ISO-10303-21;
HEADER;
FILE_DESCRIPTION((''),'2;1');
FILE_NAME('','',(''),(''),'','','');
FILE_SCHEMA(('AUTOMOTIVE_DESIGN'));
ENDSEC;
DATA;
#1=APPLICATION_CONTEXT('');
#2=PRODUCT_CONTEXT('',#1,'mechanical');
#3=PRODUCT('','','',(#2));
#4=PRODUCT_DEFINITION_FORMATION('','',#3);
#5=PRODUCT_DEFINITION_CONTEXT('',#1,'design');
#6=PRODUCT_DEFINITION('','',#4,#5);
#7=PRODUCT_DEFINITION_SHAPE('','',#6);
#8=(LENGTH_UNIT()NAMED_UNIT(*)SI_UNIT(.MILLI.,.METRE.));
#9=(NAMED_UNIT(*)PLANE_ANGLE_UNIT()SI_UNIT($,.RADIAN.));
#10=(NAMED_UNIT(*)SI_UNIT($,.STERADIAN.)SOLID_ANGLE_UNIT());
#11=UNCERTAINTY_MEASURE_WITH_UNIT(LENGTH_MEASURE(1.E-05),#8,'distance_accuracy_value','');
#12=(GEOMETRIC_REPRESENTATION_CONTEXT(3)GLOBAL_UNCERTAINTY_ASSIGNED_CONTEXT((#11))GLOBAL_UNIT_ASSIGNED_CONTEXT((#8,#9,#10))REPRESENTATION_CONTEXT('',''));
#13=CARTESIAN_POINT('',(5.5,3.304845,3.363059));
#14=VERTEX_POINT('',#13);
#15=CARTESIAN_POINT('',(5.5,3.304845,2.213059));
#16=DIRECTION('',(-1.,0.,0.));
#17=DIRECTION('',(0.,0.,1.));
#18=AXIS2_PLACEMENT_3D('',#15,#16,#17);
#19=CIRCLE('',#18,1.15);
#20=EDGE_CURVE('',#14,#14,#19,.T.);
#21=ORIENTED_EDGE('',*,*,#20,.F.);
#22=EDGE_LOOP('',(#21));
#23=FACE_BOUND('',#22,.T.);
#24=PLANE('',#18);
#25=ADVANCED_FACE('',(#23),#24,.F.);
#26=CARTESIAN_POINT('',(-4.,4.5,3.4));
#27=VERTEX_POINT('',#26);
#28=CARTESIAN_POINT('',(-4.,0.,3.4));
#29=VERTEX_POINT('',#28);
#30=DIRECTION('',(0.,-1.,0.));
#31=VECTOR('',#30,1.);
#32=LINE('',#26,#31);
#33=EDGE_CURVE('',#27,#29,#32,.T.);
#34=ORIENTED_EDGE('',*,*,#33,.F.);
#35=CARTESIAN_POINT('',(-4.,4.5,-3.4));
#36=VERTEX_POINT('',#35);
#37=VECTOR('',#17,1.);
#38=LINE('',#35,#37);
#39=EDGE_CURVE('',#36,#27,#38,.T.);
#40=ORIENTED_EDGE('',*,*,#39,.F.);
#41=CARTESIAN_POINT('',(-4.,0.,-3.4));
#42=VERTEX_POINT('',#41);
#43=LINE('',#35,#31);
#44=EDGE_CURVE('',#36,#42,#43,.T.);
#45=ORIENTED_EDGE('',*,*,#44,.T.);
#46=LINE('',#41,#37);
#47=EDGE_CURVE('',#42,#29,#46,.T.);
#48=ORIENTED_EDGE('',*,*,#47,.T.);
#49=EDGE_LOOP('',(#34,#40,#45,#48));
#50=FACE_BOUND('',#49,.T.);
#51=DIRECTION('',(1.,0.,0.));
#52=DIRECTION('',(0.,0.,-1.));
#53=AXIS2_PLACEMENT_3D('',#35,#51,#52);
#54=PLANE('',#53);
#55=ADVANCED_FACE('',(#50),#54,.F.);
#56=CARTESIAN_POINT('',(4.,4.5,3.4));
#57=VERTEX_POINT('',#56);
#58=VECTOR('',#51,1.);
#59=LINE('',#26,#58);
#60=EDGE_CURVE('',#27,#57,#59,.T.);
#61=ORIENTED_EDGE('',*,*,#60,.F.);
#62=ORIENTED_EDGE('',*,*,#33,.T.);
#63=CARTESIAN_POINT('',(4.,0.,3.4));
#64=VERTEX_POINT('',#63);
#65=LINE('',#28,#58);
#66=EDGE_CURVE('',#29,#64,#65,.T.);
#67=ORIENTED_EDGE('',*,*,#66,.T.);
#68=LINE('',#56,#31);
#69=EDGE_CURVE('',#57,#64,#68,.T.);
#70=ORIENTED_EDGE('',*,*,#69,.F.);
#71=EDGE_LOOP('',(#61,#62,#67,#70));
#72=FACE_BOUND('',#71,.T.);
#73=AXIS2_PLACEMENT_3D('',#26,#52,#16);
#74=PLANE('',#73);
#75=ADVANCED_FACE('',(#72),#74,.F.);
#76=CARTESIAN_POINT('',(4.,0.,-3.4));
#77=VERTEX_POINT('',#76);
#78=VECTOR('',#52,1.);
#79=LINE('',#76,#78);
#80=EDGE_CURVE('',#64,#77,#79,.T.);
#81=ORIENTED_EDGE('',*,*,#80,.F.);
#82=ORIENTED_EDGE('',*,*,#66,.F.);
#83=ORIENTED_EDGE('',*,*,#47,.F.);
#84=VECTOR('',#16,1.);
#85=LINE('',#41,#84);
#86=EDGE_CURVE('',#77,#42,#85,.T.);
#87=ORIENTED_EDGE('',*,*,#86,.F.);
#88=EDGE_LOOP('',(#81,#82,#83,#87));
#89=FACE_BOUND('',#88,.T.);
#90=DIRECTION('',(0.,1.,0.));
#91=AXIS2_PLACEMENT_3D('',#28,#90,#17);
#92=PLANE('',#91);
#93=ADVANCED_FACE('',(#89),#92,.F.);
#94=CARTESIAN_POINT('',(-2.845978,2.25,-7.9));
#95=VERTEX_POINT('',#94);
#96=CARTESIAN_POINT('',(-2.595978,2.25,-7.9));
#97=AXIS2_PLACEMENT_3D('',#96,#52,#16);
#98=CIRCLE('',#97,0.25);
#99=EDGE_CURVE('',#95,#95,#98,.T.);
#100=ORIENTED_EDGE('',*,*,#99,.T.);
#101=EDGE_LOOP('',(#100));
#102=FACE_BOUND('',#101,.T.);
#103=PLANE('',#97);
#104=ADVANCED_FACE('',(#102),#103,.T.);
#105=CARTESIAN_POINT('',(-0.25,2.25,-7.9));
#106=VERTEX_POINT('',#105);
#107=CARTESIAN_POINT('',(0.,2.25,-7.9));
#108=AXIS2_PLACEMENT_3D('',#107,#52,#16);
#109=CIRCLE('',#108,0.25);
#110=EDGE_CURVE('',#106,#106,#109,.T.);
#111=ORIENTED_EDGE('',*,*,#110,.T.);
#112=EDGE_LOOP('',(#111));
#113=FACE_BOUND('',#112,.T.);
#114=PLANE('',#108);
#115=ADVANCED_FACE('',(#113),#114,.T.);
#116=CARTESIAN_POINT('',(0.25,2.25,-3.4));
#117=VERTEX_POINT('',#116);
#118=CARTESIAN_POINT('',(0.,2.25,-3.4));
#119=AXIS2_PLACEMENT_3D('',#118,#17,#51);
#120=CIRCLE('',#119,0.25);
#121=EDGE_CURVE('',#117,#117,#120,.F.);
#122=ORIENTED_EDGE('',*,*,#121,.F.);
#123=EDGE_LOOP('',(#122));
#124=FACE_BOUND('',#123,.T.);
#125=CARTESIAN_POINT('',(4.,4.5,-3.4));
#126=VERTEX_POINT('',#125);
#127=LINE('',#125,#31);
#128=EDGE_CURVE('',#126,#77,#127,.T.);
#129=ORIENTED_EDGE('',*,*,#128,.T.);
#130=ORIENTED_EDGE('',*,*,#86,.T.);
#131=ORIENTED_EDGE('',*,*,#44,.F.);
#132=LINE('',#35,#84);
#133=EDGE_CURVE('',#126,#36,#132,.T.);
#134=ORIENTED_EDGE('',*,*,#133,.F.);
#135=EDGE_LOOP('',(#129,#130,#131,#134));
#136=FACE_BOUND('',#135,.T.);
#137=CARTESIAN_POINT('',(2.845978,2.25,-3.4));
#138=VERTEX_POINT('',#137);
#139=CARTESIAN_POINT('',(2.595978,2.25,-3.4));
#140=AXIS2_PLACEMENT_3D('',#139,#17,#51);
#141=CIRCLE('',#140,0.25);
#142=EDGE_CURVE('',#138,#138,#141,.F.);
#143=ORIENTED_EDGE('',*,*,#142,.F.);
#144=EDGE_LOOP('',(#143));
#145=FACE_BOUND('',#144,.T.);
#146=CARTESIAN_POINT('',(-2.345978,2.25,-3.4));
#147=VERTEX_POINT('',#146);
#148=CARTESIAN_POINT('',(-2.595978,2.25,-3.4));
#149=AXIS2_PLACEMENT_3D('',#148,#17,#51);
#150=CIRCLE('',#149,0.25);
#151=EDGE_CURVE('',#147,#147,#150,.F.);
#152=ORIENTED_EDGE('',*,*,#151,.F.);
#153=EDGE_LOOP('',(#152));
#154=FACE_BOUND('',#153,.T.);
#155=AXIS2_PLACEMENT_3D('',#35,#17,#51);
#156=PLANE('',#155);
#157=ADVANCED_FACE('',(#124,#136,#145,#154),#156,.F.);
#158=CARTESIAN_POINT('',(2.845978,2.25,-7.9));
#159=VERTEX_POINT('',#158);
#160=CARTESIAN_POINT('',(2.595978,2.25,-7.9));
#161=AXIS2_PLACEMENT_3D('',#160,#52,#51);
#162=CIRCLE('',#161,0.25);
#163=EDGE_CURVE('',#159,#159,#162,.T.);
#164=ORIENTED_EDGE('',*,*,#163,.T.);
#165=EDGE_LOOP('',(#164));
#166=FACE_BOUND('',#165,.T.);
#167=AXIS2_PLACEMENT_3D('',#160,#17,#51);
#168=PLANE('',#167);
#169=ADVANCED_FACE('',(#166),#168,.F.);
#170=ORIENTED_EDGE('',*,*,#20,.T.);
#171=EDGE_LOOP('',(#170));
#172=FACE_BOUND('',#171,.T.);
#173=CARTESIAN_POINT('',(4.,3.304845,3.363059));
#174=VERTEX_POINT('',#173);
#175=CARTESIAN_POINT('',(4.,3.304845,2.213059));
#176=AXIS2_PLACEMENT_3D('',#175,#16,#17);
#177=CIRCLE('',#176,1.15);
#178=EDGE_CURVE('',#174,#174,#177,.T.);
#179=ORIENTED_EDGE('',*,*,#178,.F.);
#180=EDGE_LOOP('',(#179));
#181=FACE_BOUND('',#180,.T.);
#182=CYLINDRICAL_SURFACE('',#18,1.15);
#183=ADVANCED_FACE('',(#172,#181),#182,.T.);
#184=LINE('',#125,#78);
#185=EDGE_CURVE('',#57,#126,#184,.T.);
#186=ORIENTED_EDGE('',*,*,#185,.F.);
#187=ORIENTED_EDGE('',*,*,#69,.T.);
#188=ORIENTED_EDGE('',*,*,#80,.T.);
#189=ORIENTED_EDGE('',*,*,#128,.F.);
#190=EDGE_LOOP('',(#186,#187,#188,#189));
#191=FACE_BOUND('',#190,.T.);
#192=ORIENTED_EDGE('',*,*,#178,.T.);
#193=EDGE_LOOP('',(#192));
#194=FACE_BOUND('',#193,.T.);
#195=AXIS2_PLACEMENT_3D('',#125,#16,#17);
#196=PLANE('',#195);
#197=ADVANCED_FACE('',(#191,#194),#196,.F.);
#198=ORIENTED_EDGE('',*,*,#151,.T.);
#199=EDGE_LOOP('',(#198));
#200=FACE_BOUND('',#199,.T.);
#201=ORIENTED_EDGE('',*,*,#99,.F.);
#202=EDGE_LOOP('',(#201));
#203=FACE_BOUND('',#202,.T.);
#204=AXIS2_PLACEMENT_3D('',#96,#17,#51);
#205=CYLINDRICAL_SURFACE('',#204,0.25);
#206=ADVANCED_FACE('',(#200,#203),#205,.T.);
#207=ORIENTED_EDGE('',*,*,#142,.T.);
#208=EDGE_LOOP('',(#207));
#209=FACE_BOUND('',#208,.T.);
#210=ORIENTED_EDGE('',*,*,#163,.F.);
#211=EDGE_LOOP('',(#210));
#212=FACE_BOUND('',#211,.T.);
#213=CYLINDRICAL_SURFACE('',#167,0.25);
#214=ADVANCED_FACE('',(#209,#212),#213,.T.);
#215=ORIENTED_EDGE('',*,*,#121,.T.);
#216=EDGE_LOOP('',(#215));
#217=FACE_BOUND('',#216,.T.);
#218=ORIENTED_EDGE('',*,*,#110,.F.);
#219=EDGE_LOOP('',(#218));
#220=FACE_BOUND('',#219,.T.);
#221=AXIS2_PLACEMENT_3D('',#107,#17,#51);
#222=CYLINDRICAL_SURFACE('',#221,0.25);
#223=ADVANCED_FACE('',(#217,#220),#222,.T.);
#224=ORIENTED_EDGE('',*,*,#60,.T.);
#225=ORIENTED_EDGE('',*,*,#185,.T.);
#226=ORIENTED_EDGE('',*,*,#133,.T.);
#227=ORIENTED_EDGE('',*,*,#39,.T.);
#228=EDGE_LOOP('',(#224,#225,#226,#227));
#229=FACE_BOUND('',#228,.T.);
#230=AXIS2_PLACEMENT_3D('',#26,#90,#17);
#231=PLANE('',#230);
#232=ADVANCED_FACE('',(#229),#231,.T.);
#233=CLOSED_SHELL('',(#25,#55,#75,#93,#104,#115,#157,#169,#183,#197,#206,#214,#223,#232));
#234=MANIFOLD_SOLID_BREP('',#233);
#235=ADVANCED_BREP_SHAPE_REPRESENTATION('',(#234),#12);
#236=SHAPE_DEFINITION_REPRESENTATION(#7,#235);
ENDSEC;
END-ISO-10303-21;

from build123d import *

# Parameters (mm, degrees)
SKETCH_1_W      = 8
SKETCH_1_H      = 6.8
EXTRUDE_1_DEPTH = 4.5
SKETCH_3_R      = 0.25
EXTRUDE_3_DEPTH = 4.5
SKETCH_4_R      = 1.15
EXTRUDE_4_DEPTH = 1.5


with BuildPart() as part:
    # 草图1 → 拉伸1 (new body)
    with BuildSketch(Plane(origin=(0, 0, 0), x_dir=(1, 0, 0), z_dir=(0, 1, 0))):
        Rectangle(SKETCH_1_W, SKETCH_1_H)
    extrude(amount=EXTRUDE_1_DEPTH)

    # 草图3 → 拉伸3 (add)
    with BuildSketch(Plane(origin=(0, 0, -3.4), x_dir=(-1, 0, 0), z_dir=(0, 0, -1))):
        with Locations(Location((0, 2.25, 0), (0, 0, 180))):
            Circle(SKETCH_3_R)
        with Locations(Location((2.595978382, 2.25, 0), (0, 0, 180))):
            Circle(SKETCH_3_R)
        with Locations(Location((-2.595978382, 2.25, 0), (0, 0, 180))):
            Circle(SKETCH_3_R)
    extrude(amount=EXTRUDE_3_DEPTH)

    # 草图4 → 拉伸4 (add)
    with BuildSketch(Plane(origin=(4, 0, -0.6), x_dir=(0, 0, 1), z_dir=(-1, 0, 0))):
        with Locations((2.813059067, 3.304845193)):
            Circle(SKETCH_4_R)
    extrude(amount=-EXTRUDE_4_DEPTH)


solid = part.part
